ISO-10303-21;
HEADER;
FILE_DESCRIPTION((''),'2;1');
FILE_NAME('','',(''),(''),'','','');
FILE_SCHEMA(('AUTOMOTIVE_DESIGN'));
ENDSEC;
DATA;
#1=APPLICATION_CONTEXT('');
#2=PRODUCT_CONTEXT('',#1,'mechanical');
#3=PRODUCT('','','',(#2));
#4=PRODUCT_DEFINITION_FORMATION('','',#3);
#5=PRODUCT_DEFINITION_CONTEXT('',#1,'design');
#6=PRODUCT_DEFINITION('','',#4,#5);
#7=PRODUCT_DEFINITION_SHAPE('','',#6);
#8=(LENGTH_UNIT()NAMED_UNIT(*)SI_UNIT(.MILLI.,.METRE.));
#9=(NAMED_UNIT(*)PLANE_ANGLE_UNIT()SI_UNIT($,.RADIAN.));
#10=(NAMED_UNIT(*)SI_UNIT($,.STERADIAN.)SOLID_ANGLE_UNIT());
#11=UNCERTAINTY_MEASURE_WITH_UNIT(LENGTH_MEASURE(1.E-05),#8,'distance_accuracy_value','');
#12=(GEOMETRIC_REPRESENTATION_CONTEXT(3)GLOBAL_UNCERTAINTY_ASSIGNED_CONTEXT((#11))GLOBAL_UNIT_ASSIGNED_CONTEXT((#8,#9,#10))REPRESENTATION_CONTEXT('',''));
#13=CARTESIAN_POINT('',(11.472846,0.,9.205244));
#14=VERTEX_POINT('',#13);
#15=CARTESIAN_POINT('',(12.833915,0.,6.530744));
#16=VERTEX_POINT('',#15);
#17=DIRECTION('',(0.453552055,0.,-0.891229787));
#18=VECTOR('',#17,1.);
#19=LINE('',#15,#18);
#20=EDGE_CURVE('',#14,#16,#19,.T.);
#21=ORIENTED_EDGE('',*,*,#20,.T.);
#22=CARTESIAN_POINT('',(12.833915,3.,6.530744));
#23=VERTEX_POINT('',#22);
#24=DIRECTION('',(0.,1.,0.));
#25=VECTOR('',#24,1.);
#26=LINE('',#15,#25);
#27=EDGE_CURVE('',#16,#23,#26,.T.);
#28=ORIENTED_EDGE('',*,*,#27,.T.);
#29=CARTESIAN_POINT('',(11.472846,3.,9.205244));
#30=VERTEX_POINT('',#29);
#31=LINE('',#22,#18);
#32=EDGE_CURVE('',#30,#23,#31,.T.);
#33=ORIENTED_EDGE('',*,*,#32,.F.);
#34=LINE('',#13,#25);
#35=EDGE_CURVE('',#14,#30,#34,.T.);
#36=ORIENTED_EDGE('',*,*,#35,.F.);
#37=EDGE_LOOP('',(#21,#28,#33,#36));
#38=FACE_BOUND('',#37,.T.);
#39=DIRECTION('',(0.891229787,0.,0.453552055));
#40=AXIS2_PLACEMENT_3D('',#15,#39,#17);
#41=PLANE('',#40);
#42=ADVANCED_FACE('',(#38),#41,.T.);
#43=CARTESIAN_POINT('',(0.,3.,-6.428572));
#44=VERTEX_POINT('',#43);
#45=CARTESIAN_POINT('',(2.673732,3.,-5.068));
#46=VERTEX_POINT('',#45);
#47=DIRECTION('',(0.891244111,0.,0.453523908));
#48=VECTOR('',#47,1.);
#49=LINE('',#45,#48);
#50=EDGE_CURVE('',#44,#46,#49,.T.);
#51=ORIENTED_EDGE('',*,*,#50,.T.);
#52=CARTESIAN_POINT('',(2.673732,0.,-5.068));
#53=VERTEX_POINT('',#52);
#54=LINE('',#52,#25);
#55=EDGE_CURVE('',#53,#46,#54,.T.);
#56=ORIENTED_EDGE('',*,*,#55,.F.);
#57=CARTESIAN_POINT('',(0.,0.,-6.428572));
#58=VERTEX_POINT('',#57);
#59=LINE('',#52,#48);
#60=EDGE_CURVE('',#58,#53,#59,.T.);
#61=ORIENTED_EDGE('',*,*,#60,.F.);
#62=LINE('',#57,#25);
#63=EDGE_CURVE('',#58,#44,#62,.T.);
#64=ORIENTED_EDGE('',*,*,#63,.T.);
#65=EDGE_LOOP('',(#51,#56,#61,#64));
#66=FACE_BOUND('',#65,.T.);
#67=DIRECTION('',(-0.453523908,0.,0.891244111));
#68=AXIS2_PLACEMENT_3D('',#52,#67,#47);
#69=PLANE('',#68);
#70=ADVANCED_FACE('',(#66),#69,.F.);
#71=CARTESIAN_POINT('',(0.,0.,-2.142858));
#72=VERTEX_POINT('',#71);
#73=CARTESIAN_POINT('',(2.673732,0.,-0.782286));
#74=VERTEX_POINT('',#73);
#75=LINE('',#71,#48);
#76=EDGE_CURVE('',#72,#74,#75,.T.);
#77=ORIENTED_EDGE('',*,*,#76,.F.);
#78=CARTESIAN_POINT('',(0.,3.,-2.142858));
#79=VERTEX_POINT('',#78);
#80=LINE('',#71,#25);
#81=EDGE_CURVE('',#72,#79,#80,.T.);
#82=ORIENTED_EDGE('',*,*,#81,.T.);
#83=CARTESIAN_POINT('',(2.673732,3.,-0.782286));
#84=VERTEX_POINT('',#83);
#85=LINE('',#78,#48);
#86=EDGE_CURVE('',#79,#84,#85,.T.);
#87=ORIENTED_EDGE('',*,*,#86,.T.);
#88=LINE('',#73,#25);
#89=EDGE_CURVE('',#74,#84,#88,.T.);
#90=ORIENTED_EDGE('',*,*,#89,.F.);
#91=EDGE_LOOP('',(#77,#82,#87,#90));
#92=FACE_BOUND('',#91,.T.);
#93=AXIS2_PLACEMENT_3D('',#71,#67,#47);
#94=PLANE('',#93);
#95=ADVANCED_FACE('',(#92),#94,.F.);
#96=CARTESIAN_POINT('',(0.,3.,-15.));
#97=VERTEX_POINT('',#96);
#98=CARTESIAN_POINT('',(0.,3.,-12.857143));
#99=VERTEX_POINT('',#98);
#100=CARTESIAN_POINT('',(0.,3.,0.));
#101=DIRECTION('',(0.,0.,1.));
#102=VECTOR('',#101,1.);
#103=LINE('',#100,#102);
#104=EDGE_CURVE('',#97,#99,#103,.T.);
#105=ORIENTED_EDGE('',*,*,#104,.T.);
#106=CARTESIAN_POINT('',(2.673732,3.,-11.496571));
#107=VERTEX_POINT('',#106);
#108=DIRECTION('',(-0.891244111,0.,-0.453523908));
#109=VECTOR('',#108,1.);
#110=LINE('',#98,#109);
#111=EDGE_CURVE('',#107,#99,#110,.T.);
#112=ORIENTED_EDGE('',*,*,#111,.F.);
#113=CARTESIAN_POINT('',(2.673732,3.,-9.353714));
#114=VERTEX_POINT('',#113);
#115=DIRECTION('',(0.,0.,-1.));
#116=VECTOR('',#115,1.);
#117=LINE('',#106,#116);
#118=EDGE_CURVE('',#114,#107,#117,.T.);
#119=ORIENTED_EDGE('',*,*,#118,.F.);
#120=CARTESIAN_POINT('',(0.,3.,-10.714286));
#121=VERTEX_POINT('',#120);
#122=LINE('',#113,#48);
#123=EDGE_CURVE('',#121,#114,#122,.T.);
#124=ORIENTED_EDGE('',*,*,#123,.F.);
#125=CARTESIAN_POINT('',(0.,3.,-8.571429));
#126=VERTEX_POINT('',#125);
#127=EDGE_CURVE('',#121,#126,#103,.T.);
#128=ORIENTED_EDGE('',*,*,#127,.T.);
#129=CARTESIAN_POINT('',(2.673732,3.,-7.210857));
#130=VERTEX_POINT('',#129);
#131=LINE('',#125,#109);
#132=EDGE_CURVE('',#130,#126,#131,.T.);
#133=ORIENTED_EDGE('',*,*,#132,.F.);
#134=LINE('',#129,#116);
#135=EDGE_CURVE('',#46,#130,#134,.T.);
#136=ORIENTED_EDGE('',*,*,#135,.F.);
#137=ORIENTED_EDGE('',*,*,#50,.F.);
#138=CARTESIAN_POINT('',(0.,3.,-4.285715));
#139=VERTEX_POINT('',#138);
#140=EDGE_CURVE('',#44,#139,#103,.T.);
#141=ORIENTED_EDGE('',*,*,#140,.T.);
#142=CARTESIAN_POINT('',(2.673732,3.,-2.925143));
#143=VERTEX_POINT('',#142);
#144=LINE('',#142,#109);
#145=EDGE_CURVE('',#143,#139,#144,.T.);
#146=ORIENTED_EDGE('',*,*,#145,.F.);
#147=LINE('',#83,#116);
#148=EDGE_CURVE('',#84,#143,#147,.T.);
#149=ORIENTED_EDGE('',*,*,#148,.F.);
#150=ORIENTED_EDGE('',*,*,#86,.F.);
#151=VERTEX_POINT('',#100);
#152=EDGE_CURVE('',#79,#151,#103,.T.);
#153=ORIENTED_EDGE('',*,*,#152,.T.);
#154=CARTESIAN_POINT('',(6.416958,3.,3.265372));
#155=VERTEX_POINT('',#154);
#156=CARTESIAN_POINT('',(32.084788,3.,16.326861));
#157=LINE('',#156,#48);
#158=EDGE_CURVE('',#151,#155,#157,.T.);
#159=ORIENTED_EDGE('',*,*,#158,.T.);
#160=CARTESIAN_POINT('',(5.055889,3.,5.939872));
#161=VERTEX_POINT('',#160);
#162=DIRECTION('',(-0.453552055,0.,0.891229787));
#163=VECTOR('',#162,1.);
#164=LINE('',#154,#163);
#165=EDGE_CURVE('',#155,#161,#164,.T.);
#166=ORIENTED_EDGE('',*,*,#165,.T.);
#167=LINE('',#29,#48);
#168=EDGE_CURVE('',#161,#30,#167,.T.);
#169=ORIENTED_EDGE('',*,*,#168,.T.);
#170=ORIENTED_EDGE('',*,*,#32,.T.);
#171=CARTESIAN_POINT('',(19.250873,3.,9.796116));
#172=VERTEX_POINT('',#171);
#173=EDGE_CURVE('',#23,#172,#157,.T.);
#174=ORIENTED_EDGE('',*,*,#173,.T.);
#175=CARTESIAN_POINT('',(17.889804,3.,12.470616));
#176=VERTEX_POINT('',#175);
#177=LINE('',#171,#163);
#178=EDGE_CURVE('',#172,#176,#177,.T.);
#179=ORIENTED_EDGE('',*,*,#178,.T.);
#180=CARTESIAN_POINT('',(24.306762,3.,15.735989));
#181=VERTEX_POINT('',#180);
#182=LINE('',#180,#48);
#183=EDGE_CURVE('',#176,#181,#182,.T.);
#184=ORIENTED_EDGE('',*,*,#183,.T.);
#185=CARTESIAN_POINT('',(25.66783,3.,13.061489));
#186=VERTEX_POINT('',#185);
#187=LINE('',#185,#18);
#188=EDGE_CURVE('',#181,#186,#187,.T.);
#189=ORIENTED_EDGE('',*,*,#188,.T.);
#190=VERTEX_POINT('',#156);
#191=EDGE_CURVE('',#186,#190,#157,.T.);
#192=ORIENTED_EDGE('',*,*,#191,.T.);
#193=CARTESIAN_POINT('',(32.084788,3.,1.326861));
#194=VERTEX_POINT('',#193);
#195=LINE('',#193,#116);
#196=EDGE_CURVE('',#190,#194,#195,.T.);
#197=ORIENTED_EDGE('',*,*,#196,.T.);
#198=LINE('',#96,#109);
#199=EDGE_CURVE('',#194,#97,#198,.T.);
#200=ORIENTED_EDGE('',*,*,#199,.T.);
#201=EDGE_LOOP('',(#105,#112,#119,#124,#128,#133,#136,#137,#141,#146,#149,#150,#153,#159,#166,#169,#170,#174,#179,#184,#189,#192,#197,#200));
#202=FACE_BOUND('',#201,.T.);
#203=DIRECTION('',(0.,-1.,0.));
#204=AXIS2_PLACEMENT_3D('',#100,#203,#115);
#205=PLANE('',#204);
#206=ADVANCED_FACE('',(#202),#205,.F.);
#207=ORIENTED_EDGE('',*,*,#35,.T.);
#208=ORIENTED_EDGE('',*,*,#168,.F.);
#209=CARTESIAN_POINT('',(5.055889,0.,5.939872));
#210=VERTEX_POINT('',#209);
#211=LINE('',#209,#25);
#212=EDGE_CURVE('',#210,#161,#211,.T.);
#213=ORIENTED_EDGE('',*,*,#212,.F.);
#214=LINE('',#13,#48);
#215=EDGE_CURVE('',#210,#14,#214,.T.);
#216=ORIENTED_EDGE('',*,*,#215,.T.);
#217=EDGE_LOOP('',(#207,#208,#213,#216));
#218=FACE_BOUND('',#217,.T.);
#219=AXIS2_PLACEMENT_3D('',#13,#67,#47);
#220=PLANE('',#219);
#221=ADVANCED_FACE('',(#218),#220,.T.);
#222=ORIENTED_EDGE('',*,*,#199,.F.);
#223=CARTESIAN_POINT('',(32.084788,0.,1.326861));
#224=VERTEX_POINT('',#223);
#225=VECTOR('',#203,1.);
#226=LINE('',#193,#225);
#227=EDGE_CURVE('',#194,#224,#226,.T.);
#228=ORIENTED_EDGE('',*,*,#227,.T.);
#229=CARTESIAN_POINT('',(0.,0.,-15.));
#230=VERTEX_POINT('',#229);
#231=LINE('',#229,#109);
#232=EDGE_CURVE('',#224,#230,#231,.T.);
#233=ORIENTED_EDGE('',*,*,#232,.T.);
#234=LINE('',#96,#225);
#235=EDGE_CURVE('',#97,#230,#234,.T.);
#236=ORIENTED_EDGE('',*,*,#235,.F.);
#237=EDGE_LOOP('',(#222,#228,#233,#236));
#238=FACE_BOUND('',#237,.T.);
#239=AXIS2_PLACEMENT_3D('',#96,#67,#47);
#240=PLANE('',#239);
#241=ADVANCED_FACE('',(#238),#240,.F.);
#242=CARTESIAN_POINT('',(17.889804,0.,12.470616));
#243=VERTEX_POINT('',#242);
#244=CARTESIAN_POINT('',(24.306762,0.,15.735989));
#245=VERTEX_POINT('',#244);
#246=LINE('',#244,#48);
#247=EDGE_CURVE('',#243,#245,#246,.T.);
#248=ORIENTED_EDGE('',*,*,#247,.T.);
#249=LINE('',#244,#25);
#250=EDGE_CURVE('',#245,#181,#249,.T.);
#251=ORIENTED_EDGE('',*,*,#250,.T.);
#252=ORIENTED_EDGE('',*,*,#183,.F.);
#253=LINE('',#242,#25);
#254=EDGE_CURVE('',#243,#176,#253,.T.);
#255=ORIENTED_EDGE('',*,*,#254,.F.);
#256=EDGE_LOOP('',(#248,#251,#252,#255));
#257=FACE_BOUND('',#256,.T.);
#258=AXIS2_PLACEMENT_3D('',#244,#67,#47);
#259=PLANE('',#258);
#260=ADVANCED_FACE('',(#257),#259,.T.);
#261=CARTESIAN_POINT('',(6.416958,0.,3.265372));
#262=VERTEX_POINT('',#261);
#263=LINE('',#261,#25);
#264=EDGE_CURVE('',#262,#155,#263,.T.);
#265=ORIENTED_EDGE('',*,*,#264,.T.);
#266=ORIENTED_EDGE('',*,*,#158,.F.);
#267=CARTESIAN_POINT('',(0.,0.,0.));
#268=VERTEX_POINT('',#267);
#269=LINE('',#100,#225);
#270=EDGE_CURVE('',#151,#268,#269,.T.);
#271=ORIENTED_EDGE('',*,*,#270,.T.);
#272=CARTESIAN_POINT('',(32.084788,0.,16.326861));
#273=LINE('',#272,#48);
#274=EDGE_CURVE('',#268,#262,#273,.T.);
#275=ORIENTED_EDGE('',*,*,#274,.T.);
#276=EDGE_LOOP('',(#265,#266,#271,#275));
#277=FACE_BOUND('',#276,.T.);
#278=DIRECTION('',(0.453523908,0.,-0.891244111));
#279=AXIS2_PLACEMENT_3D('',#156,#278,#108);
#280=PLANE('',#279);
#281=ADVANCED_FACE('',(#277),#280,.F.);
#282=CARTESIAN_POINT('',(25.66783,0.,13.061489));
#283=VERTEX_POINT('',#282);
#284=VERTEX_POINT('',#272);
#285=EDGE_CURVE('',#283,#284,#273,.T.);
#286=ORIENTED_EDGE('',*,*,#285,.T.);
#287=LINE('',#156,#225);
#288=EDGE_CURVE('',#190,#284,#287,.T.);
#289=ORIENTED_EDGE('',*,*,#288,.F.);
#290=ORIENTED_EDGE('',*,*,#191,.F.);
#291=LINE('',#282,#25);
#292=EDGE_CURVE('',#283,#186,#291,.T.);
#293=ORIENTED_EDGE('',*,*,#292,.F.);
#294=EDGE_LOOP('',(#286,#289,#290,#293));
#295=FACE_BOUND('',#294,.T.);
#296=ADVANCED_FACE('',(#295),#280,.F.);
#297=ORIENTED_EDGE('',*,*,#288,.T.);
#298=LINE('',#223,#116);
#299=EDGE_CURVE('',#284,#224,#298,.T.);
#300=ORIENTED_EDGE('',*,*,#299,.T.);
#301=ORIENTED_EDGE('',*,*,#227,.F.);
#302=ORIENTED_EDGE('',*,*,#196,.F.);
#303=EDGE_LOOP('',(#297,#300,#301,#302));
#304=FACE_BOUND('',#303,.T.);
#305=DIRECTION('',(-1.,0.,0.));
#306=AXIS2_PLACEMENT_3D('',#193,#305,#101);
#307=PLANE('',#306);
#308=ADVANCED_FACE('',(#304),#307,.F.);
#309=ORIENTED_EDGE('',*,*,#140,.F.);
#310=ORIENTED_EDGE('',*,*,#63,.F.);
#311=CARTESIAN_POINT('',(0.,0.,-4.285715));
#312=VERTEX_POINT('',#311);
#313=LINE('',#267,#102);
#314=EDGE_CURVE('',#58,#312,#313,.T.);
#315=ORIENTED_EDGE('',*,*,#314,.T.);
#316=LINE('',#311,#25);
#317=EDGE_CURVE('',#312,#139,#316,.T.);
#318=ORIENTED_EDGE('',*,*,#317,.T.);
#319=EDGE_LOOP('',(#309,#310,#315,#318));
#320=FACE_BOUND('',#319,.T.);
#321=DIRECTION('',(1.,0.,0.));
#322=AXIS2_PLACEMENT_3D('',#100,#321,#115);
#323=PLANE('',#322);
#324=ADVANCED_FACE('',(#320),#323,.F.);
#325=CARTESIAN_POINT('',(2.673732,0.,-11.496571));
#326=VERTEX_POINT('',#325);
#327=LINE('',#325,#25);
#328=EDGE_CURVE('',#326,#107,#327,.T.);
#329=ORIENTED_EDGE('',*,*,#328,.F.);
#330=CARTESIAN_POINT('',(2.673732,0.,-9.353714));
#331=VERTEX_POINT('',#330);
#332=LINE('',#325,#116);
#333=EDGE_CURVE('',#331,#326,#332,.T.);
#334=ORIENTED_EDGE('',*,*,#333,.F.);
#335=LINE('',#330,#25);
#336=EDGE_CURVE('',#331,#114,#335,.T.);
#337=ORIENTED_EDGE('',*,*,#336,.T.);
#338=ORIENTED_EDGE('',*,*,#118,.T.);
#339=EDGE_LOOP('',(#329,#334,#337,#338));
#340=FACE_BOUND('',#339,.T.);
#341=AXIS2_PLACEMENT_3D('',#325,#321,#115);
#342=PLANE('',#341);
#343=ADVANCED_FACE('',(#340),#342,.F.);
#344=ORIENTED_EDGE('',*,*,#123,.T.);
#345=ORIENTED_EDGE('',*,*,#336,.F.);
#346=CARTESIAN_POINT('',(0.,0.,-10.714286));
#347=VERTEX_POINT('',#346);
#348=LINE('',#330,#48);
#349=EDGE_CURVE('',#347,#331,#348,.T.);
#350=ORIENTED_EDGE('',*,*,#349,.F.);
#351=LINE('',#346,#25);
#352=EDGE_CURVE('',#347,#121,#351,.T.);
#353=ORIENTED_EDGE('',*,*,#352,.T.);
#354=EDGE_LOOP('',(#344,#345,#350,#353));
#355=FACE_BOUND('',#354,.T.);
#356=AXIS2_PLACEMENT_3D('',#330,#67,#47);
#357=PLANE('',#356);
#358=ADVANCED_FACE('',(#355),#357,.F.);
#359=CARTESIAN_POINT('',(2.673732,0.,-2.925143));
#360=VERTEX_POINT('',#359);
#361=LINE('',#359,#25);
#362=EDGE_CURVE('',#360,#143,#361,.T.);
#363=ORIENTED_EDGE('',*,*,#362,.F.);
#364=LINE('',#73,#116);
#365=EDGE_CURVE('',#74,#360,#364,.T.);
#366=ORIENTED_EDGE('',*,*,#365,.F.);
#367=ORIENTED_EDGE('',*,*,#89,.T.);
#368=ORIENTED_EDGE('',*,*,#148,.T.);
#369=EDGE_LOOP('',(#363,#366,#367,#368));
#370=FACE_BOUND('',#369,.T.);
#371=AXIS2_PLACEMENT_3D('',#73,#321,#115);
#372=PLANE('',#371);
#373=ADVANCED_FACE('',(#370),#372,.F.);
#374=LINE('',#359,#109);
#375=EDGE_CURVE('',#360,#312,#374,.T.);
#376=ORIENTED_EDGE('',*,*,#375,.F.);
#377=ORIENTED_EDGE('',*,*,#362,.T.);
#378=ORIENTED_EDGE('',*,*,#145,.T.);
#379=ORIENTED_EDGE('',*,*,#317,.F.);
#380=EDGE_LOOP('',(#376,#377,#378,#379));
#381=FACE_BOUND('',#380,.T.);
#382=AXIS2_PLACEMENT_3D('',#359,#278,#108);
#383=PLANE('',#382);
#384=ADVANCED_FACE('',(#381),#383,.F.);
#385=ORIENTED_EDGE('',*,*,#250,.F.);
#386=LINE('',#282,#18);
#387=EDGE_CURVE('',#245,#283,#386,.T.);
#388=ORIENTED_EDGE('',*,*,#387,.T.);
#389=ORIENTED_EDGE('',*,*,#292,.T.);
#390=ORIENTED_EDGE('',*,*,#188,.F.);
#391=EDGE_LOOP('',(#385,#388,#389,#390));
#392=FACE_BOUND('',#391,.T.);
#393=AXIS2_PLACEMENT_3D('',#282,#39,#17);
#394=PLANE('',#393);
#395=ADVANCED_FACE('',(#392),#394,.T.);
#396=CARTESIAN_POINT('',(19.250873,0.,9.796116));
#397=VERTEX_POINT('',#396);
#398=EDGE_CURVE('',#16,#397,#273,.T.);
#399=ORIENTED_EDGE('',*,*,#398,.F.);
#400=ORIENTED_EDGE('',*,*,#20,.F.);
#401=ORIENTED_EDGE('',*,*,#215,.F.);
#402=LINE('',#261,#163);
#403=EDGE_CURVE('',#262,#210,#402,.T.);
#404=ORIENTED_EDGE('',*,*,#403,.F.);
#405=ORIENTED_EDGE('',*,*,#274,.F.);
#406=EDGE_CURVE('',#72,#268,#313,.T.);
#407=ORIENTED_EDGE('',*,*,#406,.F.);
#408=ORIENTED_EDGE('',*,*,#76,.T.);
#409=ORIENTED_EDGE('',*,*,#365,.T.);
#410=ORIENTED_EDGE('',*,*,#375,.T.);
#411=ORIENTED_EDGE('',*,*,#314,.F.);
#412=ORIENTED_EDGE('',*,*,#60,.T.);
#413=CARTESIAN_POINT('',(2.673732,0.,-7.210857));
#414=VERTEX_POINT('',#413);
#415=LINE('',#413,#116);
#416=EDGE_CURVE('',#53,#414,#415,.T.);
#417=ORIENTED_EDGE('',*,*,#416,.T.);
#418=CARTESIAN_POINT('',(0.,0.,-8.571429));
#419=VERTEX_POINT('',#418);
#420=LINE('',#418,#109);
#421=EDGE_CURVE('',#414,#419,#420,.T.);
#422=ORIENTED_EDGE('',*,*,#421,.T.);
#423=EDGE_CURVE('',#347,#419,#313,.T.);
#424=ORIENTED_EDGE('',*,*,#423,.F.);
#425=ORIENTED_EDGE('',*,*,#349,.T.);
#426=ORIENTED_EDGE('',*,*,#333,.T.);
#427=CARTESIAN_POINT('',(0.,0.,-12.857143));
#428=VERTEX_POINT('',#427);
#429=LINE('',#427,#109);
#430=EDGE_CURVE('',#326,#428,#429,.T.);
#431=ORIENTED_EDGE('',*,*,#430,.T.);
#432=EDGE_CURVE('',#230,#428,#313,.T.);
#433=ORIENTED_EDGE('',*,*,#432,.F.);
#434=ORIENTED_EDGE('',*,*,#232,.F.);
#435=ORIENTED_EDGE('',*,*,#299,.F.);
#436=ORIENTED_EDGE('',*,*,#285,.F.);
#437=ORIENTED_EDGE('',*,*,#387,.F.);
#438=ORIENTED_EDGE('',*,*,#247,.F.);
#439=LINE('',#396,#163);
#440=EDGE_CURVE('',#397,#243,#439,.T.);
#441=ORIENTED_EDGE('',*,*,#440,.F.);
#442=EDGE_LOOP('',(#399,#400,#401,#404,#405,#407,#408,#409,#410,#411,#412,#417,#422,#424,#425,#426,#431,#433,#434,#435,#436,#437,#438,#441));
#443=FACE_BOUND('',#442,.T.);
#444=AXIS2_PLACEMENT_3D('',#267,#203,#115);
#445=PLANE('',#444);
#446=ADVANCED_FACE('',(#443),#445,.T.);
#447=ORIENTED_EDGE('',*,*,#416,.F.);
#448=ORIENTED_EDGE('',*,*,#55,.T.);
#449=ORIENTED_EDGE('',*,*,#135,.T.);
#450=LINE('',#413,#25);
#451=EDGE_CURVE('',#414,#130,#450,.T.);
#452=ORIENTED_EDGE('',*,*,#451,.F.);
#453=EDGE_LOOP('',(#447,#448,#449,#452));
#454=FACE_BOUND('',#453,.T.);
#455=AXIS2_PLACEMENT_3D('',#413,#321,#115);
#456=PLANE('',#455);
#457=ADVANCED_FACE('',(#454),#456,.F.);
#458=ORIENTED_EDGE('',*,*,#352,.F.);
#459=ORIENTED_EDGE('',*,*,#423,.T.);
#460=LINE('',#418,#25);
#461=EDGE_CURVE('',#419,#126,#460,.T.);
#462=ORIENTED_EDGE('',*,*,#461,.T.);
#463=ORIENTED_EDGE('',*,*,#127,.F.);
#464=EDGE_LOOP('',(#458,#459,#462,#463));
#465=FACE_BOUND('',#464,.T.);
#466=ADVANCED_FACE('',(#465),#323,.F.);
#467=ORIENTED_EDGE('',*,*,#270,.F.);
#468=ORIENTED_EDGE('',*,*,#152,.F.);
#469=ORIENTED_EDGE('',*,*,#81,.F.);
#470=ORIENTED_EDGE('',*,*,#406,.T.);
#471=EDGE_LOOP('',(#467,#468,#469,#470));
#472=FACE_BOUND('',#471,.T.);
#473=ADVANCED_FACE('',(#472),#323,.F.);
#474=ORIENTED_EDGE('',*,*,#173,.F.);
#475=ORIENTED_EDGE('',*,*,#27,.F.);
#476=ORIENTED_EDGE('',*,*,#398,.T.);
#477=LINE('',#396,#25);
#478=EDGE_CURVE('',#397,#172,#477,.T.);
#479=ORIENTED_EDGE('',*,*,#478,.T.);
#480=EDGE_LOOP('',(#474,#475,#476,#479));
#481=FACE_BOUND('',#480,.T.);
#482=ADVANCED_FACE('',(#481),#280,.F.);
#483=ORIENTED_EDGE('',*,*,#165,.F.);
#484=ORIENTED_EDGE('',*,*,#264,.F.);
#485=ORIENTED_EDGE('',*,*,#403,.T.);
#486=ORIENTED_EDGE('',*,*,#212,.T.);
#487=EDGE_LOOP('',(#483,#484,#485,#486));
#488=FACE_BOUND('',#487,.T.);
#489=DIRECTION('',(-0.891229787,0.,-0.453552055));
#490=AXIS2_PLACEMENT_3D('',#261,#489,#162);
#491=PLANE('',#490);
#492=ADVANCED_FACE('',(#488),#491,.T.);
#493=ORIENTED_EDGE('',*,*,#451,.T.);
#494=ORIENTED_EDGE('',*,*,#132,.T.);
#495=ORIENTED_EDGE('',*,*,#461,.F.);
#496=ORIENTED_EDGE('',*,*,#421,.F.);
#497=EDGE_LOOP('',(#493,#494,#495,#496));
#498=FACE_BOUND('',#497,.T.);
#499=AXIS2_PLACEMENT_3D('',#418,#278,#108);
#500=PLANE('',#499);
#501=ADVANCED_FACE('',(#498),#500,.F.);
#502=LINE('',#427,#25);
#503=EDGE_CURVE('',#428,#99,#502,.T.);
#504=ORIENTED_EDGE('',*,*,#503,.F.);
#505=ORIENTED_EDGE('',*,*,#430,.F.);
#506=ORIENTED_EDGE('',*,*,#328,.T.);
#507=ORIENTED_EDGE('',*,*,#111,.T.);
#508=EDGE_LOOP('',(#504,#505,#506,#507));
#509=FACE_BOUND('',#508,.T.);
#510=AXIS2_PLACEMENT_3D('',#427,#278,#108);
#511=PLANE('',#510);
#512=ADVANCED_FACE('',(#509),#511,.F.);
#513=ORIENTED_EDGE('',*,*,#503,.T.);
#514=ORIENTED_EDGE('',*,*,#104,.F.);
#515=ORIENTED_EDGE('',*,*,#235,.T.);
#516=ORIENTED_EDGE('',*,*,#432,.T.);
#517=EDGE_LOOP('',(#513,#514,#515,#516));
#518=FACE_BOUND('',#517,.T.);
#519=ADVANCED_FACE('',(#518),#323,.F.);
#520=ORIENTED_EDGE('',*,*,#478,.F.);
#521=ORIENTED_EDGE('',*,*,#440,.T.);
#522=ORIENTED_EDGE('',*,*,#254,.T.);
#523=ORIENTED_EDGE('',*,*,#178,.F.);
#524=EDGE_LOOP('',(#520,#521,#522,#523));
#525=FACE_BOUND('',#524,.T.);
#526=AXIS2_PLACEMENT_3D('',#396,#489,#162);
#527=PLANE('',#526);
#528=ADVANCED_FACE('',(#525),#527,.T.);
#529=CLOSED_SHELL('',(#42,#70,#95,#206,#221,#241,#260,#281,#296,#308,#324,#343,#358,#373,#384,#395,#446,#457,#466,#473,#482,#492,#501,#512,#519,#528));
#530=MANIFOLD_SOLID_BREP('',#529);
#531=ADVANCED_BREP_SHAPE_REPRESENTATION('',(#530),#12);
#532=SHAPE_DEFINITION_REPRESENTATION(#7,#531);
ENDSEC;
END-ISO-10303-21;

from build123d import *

# Parameters (mm, degrees)
BOSS_EXTRUDE1_DEPTH = 3
BOSS_EXTRUDE2_DEPTH = 3
CUT_EXTRUDE1_DEPTH  = 4


with BuildPart() as part:
    # Sketch1 → Boss-Extrude1 (new body)
    with BuildSketch(Plane(origin=(0, 0, 0), x_dir=(1, 0, 0), z_dir=(0, 1, 0))):
        Polygon((0, 0), (0, 15), (32.084787993, -1.326860674), (32.084787993, -16.326860674), align=None)
    extrude(amount=BOSS_EXTRUDE1_DEPTH)

    # Sketch2 → Boss-Extrude2 (add)
    with BuildSketch(Plane(origin=(0, 3, 0), x_dir=(1, 0, 0), z_dir=(0, 1, 0))):
        Polygon((25.667830391, -13.061488537), (24.306761694, -15.735988526), (17.889804096, -12.470616391), (19.250872792, -9.796116403), align=None)
        Polygon((12.833915194, -6.530744268), (11.472846497, -9.205244257), (5.055888898, -5.939872122), (6.416957595, -3.265372133), align=None)
    extrude(amount=-BOSS_EXTRUDE2_DEPTH)

    # Sketch3 → Cut-Extrude1 (cut, through all)
    with BuildSketch(Plane(origin=(0, 3, 0), x_dir=(1, 0, 0), z_dir=(0, 1, 0))):
        Polygon((2.673732333, 0.782286134), (2.673732333, 2.925143134), (0, 4.285714857), (0, 2.142857857), align=None)
        Polygon((2.673732333, 5.068000134), (0, 6.428571857), (0, 8.571428857), (2.673732333, 7.210857134), align=None)
        Polygon((2.673732333, 9.353714134), (0, 10.714285857), (0, 12.857142857), (2.673732333, 11.496571134), align=None)
    extrude(amount=-CUT_EXTRUDE1_DEPTH, mode=Mode.SUBTRACT)


solid = part.part
